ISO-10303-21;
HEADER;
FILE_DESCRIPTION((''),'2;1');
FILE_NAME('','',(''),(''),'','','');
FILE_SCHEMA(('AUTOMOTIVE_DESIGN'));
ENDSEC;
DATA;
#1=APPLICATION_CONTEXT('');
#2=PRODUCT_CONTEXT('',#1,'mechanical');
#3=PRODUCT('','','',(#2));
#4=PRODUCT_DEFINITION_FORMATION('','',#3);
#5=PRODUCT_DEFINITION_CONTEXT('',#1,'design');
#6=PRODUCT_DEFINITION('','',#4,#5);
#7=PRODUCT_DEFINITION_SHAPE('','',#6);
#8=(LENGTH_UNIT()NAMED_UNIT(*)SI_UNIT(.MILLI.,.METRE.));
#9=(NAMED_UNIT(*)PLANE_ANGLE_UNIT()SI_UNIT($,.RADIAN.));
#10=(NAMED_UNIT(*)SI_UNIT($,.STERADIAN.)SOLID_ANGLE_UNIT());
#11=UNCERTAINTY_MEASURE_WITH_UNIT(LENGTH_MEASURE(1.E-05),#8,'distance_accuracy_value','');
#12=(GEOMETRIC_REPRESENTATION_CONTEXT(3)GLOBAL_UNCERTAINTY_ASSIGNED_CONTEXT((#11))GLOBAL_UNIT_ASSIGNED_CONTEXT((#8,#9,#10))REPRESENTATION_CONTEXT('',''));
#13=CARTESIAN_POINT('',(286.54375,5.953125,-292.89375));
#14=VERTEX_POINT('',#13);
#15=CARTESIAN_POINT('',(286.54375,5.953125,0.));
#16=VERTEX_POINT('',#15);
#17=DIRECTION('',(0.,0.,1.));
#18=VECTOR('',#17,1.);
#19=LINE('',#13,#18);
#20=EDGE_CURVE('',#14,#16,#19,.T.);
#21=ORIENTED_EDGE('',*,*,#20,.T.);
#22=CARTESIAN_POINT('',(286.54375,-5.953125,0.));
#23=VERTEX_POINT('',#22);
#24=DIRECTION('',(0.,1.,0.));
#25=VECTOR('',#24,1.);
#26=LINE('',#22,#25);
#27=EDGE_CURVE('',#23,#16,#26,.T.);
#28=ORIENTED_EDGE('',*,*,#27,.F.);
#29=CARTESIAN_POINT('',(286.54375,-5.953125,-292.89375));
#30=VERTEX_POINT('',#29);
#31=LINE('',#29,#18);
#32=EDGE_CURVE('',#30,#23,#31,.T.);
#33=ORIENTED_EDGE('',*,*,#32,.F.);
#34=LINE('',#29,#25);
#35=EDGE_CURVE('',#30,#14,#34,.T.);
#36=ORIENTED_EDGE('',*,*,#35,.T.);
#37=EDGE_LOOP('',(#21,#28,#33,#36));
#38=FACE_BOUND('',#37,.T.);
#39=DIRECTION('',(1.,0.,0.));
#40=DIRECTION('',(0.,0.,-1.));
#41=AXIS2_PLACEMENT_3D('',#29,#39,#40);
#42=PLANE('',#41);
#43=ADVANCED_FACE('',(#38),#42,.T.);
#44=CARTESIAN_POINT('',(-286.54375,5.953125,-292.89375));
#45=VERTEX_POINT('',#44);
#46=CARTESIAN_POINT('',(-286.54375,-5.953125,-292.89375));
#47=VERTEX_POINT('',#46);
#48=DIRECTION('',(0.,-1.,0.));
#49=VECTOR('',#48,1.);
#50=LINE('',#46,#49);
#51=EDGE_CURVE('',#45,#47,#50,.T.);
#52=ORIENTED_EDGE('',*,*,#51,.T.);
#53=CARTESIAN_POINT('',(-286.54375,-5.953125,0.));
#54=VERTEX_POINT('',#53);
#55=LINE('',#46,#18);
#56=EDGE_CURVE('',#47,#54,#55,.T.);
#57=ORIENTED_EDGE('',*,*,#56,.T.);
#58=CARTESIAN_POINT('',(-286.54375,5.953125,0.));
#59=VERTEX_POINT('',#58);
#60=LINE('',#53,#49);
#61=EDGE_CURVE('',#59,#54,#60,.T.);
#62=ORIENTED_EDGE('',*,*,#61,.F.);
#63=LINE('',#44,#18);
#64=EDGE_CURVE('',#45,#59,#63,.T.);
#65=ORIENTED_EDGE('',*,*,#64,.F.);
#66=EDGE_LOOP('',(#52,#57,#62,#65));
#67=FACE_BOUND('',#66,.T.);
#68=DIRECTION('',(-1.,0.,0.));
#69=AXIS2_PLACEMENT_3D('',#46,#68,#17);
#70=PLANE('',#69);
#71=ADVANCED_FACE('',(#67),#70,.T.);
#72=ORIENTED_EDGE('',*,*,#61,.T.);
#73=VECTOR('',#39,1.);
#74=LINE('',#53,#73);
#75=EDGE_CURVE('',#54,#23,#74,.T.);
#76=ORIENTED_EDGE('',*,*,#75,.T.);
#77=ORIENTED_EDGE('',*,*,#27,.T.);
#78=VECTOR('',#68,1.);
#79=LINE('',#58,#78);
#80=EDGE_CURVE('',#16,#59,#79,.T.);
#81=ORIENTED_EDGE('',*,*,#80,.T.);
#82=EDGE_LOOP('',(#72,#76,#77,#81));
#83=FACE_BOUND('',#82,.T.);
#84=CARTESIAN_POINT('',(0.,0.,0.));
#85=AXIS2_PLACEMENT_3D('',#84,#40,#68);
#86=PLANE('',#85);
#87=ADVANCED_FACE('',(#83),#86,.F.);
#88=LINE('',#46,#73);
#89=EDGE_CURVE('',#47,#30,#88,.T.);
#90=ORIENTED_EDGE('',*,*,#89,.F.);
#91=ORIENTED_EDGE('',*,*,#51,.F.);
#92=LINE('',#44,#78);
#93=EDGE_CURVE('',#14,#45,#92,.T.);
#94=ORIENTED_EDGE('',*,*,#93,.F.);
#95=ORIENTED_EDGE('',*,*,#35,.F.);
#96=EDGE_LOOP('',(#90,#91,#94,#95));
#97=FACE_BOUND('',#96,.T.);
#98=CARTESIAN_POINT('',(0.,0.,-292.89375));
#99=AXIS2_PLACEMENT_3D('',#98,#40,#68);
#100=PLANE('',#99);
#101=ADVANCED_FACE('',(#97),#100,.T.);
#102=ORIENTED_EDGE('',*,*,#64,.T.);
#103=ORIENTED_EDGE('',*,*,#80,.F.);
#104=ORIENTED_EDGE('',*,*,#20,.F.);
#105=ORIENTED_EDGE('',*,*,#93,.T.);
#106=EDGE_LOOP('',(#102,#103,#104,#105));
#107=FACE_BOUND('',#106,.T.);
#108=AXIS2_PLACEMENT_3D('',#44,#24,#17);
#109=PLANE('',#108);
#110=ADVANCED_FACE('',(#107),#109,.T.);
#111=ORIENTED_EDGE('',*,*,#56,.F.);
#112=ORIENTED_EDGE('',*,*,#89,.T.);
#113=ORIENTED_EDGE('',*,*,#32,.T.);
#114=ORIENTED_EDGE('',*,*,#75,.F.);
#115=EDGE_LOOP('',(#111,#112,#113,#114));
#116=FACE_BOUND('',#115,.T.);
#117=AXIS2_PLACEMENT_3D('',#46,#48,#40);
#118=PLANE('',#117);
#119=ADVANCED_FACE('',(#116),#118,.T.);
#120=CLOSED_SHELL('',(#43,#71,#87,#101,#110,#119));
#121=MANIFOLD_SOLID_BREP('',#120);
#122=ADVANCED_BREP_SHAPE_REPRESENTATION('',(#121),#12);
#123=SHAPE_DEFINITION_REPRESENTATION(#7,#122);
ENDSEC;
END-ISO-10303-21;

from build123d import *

# Parameters (mm, degrees)
SKETCH1_W           = 573.0875
SKETCH1_H           = 11.90625
BOSS_EXTRUDE1_DEPTH = 292.89375


with BuildPart() as part:
    # Sketch1 → Boss-Extrude1 (new body)
    with BuildSketch(Plane.XY):
        Rectangle(SKETCH1_W, SKETCH1_H)
    extrude(amount=-BOSS_EXTRUDE1_DEPTH)


solid = part.part
